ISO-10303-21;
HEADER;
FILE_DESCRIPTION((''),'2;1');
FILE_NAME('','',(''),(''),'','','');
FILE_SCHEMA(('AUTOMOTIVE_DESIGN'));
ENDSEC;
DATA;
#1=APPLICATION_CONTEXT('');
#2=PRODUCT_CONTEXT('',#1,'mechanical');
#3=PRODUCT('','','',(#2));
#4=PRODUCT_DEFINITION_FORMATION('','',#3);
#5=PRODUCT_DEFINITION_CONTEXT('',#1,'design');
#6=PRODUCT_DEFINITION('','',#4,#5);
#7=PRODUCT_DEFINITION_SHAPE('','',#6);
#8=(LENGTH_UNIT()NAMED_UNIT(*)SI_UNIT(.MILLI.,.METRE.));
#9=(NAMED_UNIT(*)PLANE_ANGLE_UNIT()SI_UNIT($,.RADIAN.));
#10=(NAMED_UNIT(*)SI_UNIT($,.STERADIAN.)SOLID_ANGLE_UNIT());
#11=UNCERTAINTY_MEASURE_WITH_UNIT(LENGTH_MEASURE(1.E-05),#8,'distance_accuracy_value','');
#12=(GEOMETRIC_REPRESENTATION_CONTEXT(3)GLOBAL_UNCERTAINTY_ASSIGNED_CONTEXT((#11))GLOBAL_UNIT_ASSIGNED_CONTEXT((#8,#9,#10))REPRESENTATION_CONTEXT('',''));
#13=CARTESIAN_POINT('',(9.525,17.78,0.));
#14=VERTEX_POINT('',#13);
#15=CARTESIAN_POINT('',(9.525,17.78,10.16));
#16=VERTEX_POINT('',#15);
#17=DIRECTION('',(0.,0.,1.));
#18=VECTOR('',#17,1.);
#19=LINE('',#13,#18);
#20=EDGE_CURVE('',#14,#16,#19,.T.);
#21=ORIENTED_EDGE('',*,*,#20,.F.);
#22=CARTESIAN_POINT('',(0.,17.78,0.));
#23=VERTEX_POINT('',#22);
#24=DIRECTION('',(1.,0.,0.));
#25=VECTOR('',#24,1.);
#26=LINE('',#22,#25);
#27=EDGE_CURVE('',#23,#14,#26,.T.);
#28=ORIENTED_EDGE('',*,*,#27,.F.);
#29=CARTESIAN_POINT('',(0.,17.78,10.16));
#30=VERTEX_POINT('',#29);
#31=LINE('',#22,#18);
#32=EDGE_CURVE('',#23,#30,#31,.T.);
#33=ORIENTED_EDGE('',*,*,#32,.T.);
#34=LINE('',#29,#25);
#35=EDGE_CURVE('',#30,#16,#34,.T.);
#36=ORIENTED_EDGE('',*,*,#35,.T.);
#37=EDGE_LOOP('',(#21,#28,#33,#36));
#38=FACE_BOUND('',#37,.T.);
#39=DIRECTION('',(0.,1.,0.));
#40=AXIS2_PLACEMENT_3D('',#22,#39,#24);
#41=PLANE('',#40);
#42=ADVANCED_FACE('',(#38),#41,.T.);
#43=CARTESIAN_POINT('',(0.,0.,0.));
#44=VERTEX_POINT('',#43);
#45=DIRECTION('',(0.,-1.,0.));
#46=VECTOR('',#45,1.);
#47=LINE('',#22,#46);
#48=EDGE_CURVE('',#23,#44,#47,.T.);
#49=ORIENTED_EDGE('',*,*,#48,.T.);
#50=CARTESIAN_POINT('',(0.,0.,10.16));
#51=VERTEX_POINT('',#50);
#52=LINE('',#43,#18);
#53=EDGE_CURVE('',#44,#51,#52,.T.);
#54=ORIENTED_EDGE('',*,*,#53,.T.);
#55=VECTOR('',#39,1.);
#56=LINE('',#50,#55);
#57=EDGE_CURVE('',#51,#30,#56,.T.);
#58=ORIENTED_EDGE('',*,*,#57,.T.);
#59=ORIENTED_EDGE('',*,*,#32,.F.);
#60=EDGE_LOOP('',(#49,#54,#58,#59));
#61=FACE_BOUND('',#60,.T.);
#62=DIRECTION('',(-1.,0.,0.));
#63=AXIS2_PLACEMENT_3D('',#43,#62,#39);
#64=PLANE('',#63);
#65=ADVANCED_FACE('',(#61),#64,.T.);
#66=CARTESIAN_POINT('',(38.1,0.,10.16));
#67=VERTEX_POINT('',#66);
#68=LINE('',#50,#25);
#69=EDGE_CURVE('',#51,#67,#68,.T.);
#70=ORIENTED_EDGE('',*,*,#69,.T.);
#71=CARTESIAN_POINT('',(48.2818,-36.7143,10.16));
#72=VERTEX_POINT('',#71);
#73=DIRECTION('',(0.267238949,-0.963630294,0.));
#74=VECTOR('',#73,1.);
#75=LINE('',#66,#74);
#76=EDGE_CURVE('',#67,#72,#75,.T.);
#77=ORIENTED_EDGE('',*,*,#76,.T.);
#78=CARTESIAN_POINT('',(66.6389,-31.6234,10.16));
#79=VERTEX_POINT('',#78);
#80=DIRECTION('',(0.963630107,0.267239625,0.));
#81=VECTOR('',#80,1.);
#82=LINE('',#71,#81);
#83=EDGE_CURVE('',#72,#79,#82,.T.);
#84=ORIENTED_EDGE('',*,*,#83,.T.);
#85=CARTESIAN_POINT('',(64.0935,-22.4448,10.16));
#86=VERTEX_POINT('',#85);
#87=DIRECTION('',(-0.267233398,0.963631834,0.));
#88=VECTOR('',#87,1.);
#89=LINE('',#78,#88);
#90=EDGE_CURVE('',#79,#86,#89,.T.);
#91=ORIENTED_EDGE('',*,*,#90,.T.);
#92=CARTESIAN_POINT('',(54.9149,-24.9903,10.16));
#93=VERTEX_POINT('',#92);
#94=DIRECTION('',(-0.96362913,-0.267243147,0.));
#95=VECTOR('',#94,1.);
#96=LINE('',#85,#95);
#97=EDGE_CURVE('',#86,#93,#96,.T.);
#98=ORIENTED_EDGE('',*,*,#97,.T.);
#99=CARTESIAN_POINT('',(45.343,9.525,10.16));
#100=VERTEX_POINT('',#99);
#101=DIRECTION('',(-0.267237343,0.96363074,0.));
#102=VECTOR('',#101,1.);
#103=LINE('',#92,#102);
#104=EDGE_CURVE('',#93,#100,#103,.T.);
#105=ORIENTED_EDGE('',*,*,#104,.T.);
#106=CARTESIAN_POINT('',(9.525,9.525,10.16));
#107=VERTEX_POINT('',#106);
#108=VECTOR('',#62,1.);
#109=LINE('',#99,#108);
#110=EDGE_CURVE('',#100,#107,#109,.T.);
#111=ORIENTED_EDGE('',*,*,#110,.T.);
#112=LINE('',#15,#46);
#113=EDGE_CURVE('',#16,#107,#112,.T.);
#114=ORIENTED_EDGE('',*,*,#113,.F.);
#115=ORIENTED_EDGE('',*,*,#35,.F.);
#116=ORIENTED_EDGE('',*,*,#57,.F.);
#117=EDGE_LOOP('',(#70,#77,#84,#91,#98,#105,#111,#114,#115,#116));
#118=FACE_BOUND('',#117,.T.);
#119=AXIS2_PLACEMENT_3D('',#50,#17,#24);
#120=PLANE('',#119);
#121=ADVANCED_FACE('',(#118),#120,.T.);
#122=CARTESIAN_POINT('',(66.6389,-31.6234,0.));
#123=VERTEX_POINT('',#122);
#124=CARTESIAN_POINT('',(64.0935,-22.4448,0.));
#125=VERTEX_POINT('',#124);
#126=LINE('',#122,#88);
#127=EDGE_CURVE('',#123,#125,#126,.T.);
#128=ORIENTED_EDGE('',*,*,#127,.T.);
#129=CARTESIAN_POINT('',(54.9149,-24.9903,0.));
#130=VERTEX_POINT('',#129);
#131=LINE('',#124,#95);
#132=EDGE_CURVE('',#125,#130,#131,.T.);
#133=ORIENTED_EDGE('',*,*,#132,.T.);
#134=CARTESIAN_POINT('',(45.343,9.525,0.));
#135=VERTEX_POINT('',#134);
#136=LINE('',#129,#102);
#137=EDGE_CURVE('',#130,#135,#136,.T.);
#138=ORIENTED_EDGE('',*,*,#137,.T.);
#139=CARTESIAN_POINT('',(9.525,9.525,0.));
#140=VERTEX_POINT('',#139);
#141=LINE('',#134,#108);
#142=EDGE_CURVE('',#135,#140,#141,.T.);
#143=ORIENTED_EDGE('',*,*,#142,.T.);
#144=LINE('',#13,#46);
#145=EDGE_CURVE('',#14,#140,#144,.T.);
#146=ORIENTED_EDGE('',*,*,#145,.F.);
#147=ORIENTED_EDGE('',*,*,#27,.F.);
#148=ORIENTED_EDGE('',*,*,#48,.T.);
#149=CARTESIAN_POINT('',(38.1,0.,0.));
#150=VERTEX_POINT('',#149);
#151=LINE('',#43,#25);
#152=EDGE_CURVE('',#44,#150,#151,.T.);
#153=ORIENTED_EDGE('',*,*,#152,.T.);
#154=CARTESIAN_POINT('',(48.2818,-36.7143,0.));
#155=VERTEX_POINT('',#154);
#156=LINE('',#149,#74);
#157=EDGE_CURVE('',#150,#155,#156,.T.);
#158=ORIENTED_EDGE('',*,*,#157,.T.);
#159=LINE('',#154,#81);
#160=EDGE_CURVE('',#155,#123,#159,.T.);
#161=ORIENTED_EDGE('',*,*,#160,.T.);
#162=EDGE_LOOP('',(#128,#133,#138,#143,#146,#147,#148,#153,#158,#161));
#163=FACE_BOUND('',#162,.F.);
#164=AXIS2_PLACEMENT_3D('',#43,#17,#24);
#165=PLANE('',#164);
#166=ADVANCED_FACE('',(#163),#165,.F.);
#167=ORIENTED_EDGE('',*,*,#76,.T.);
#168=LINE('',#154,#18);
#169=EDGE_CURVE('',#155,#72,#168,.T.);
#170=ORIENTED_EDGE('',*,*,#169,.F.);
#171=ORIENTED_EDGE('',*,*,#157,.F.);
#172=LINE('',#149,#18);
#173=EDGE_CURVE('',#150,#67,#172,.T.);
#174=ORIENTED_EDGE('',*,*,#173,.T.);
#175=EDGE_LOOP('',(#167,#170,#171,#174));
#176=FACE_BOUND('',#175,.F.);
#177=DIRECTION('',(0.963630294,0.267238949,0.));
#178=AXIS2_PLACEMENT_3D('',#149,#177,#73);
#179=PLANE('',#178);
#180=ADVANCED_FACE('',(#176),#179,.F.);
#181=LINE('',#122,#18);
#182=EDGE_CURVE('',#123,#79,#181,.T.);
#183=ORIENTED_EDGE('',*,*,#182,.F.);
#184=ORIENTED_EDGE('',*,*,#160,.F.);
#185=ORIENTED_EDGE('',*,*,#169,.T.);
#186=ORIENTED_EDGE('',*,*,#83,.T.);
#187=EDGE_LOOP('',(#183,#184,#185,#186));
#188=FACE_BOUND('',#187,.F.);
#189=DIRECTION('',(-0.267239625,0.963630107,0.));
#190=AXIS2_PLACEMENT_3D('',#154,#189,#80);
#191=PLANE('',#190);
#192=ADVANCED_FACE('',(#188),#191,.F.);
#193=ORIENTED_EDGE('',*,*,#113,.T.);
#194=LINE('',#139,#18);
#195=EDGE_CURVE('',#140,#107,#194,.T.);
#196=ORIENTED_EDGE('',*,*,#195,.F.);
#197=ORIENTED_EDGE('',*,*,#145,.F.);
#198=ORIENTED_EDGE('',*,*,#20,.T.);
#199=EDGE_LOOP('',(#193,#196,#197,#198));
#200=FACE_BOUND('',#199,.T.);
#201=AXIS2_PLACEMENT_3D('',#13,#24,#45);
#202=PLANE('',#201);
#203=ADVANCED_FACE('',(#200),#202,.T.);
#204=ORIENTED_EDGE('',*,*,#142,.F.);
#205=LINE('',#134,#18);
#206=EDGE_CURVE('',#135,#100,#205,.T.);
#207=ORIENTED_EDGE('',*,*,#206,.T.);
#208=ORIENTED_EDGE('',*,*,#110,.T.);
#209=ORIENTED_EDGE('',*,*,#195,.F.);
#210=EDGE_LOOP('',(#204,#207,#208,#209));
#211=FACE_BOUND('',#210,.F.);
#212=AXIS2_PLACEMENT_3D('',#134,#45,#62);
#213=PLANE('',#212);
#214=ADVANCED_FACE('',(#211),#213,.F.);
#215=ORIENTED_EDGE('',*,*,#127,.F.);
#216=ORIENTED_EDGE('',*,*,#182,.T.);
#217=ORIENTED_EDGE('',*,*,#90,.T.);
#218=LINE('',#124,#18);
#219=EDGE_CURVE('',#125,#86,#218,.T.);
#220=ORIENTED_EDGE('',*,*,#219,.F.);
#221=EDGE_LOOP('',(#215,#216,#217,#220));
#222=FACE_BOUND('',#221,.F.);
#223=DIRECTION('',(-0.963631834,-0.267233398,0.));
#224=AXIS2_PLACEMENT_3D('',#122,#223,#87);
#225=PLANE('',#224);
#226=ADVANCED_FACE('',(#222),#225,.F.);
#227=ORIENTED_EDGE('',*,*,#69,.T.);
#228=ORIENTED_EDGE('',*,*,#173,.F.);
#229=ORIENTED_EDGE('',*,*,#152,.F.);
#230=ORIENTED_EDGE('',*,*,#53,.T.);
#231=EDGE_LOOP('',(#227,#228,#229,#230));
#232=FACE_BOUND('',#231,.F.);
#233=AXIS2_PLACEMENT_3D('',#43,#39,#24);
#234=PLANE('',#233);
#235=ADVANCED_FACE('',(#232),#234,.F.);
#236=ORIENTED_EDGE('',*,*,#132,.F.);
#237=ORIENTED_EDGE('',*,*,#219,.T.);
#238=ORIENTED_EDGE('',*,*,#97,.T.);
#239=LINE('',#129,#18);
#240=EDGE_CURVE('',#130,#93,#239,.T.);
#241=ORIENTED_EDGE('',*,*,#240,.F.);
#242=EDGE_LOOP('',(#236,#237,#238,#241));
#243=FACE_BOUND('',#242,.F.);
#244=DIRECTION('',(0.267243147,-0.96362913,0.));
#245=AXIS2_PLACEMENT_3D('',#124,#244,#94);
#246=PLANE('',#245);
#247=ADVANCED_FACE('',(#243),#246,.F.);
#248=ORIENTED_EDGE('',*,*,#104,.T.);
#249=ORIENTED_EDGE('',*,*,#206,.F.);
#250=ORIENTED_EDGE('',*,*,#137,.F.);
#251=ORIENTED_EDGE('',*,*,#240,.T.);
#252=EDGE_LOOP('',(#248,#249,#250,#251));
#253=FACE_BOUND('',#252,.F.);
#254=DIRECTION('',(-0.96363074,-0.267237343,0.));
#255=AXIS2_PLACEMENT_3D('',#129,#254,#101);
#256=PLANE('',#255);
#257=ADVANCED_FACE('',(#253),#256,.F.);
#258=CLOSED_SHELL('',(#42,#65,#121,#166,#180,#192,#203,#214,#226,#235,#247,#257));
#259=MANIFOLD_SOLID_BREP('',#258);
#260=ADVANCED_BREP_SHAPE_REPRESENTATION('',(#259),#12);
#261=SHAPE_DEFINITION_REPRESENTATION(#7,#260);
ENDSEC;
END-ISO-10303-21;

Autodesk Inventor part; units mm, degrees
ref_plane "YZ Plane" through (0, 0, 0) normal (1, 0, 0) x (0, 1, 0)
ref_plane "XZ Plane" through (0, 0, 0) normal (0, 1, 0) x (-1, 0, 0)
ref_plane "XY Plane" through (0, 0, 0) normal (0, 0, 1) x (1, 0, 0)
sketch "Sketch1" plane through (0, 0, 0) normal (0, 0, 1) x (1, 0, 0)
  line L0 (0, 0) -> (38.1, 0)
  line L1 (38.1, 0) -> (48.2818, -36.7143)
  line L2 (38.1, 0) -> (76.2, 0) construction
  line L3 (45.343, 9.525) -> (9.525, 9.525)
  line L4 (0, 0) -> (0, 17.78)
  line L5 (0, 17.78) -> (9.525, 17.78)
  line L6 (9.525, 17.78) -> (9.525, 9.525)
  line L7 (0, 9.525) -> (9.525, 9.525)
  line L8 (45.343, 9.525) -> (38.1, 0)
  line L9 (48.2818, -36.7143) -> (66.6389, -31.6234)
  line L10 (66.6389, -31.6234) -> (64.0935, -22.4448)
  line L11 (64.0935, -22.4448) -> (54.9149, -24.9903)
  line L12 (54.9149, -24.9903) -> (45.343, 9.525)
  dimension "d0" = 38.1
  dimension "d1" = 38.1
  dimension "d2" = 74.5
  dimension "d9" = 17.78
  dimension "d10" = 9.525
  dimension "d11" = 9.525
  dimension "d12" = 19.05
  dimension "d13" = 9.525
  dimension "d14" = 9.525
extrude "Extrusion1" add sketch "Sketch1" along normal blind 10.16
properties part number "AttachmentPlateHopper_v2"
